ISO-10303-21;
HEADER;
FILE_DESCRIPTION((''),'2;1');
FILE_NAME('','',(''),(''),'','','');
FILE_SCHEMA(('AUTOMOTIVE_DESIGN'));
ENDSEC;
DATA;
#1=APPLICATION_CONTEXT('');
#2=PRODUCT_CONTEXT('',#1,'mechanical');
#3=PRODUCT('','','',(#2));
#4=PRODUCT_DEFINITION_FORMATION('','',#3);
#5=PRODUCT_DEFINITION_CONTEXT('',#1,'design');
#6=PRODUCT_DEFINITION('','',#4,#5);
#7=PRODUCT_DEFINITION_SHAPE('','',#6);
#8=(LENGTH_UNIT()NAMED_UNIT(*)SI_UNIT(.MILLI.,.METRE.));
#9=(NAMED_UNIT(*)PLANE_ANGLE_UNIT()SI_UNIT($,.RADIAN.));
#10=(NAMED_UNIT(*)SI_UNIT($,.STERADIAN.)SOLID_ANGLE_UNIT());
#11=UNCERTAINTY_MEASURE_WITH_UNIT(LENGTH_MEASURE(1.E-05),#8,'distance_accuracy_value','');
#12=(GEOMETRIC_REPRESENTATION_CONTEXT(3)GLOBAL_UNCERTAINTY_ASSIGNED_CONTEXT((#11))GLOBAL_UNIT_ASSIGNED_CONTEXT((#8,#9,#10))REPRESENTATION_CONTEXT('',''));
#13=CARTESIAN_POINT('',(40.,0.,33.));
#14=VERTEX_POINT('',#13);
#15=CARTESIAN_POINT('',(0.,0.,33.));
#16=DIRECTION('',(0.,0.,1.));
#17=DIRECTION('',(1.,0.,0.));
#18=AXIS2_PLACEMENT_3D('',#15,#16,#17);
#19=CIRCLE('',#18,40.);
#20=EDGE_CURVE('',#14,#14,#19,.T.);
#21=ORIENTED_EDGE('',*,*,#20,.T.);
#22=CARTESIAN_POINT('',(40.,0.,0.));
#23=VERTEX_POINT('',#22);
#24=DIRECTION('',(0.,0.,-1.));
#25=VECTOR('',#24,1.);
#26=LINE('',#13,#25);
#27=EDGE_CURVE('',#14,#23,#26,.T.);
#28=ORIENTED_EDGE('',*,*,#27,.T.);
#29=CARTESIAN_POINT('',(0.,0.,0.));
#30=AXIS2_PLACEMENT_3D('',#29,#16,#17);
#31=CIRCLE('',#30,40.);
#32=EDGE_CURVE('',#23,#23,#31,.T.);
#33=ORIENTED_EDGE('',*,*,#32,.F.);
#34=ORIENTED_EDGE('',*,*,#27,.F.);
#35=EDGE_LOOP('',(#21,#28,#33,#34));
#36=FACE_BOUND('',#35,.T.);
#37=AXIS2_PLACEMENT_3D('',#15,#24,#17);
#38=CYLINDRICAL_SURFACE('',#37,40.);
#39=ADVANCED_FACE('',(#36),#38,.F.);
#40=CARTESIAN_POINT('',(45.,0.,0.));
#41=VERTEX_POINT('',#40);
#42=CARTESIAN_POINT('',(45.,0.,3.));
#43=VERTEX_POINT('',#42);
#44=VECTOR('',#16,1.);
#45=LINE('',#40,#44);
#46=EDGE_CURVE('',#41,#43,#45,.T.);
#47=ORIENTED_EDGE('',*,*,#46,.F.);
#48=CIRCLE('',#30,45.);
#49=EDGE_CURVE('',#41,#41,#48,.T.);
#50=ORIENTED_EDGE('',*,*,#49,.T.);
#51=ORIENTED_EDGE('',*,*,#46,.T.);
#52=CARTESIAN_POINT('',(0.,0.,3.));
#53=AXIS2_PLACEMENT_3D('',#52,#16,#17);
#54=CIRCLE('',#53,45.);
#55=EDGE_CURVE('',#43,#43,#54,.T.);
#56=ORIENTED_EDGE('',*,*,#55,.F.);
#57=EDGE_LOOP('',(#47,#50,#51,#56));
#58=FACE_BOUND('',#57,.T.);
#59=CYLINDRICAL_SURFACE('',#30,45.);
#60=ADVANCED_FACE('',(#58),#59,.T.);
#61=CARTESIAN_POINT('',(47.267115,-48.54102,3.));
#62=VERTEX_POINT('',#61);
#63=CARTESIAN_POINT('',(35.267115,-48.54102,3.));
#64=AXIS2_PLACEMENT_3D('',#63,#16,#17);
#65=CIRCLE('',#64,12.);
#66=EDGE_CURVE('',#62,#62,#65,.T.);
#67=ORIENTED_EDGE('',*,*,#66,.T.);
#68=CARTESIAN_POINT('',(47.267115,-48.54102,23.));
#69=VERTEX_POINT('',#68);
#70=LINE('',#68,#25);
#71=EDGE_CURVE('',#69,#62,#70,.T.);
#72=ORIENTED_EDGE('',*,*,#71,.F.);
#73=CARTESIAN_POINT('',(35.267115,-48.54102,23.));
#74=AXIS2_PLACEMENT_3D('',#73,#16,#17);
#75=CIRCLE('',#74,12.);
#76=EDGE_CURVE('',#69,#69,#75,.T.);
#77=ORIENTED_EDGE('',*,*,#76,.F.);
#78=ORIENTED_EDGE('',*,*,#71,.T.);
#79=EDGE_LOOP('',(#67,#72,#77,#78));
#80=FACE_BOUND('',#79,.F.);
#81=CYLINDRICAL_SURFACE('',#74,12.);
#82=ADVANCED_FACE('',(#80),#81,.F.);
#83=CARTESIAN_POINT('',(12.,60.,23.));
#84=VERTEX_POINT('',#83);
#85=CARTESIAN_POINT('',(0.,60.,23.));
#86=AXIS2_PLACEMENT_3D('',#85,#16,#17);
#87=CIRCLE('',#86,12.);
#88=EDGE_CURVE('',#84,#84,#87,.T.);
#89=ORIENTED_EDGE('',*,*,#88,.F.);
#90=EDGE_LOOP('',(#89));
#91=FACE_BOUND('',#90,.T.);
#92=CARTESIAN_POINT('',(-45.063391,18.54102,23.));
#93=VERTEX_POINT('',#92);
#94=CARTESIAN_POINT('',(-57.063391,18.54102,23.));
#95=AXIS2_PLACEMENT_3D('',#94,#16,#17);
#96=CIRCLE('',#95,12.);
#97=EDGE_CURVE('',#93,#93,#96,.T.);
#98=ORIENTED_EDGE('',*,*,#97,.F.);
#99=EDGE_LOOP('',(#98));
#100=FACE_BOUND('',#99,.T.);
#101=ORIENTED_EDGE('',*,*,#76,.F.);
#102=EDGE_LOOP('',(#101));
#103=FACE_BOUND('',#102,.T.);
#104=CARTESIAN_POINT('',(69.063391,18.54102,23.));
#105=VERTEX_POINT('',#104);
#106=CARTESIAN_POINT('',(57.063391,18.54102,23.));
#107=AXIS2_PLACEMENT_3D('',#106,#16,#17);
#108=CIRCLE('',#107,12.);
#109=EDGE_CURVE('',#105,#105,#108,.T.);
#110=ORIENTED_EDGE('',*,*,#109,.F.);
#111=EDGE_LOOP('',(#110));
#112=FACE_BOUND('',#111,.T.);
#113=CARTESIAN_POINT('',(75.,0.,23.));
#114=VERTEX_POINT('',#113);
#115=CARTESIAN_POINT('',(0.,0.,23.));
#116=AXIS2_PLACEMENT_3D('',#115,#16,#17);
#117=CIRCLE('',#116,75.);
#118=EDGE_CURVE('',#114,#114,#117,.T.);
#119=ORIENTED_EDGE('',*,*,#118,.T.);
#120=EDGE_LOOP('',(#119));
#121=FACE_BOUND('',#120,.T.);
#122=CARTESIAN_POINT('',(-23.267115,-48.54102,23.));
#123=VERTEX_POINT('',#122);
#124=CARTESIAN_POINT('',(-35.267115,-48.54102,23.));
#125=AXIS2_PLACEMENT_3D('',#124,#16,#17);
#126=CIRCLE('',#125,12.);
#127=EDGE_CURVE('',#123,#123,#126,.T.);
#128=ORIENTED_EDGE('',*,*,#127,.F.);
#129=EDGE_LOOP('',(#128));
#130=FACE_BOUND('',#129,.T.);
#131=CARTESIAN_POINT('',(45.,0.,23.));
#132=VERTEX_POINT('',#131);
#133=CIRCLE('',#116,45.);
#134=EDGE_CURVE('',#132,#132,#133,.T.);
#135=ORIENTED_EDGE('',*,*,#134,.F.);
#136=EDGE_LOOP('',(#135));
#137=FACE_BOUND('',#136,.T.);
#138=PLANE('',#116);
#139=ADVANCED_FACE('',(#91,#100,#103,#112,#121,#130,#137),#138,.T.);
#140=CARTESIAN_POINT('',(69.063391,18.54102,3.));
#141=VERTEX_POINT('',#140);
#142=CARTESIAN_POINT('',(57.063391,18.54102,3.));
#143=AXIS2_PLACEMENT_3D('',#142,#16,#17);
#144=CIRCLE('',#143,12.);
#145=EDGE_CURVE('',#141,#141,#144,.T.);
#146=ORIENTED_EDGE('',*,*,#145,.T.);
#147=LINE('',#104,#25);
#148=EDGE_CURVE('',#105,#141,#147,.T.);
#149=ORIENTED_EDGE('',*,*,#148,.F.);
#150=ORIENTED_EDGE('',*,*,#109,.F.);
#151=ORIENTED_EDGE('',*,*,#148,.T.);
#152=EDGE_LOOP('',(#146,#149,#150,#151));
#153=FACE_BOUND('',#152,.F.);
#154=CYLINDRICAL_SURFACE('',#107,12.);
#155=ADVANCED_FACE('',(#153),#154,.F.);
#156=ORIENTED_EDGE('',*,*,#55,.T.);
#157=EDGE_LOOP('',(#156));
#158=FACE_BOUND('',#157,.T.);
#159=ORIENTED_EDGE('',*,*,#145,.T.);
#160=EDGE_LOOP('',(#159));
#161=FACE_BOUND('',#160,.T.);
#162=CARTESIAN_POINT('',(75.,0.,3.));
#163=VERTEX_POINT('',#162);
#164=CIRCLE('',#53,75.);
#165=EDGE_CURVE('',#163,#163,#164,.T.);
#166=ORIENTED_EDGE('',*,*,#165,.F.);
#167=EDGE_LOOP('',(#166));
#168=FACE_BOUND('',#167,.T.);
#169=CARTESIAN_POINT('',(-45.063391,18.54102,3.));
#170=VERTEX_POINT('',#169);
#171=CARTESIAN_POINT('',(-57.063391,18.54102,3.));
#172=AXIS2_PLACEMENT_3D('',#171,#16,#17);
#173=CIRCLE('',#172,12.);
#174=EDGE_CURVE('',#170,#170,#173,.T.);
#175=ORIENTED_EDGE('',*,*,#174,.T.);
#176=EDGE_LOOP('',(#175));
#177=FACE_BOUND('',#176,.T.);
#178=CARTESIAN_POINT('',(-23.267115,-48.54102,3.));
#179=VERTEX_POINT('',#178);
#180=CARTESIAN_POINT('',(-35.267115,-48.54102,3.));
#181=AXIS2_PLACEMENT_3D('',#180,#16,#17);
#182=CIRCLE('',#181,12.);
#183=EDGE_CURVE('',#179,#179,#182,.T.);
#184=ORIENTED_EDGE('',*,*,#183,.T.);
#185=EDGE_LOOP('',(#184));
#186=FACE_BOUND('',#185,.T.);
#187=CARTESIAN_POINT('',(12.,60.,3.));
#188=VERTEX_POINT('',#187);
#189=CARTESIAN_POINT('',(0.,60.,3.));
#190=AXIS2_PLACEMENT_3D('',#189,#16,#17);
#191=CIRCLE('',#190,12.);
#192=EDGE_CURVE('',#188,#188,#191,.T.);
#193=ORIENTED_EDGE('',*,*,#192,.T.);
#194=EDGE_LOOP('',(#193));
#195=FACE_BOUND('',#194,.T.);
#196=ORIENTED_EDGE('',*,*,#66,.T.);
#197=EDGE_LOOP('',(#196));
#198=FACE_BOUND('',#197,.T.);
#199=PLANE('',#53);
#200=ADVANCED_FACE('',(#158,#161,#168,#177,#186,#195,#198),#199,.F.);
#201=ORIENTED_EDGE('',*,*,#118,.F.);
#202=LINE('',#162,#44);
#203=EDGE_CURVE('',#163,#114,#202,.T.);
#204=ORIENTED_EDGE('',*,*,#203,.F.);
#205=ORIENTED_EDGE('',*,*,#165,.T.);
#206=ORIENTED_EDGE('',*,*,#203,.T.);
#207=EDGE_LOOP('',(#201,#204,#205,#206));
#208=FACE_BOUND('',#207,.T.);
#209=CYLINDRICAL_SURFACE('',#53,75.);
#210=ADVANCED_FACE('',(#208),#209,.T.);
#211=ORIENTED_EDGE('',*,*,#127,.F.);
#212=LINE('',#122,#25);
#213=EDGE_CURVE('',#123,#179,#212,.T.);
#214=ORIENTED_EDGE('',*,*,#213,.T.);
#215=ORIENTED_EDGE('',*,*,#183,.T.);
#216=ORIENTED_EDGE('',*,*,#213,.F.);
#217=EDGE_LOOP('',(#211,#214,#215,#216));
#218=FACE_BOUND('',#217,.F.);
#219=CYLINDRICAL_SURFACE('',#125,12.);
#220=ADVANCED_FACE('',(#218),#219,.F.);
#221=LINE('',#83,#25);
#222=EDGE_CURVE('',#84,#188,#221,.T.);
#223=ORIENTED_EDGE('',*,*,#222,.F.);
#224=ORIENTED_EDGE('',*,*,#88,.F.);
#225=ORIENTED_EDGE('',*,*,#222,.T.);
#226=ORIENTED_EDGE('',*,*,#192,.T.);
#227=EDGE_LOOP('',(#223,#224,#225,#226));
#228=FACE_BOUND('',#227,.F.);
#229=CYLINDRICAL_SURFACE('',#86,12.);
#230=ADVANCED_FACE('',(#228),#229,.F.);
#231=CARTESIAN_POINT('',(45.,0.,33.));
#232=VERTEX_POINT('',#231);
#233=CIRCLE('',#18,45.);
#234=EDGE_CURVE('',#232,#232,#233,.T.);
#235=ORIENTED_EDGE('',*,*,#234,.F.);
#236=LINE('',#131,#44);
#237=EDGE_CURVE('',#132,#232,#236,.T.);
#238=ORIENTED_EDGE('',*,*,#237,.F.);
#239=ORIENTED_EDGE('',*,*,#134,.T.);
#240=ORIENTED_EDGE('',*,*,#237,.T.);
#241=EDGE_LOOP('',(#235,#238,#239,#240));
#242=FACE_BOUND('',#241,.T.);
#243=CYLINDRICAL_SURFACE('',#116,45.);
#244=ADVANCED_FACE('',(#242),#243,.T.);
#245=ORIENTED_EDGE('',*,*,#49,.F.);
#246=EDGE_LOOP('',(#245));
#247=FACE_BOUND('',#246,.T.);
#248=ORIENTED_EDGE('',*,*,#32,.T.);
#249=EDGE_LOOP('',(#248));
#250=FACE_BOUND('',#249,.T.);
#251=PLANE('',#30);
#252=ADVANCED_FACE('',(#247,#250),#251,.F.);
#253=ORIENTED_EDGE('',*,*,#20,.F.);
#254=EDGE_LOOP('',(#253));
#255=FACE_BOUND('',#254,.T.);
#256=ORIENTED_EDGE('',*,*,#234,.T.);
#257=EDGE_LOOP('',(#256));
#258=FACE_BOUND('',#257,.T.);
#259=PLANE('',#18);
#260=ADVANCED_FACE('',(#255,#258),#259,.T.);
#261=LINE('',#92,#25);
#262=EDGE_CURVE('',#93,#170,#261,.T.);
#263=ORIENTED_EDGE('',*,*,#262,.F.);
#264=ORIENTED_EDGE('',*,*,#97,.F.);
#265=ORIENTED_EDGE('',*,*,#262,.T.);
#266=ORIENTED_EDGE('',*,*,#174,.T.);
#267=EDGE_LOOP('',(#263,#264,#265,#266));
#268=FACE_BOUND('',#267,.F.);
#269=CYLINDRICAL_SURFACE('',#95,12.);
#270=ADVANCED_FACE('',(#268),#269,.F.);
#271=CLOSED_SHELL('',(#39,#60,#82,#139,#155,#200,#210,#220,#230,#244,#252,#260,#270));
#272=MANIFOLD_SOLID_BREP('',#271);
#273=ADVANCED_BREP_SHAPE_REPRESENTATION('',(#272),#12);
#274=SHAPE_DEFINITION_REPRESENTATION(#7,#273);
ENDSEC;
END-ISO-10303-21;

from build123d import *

# Parameters (mm, degrees)
F2_R     = 12
F3_DEPTH = 20


with BuildPart() as f1:
    # F0 (on Front) → F1 (revolve)
    with BuildSketch(Plane.XZ):
        Polygon((40, 33), (40, 0), (45, 0), (45, 3), (75, 3), (75, 23), (45, 23), (45, 33), align=None)
    revolve(axis=Axis((0, 0, 39.782755), (0, 0, 1)))

    # F2 (on face) → F3 (cut, through all)
    with BuildSketch(Plane.XY.offset(23)):
        with Locations((0, 60)):
            Circle(F2_R)
        with Locations((-57.063391, 18.54102)):
            Circle(F2_R)
        with Locations((-35.267115, -48.54102)):
            Circle(F2_R)
        with Locations((35.267115, -48.54102)):
            Circle(F2_R)
        with Locations((57.063391, 18.54102)):
            Circle(F2_R)
    extrude(amount=-F3_DEPTH, mode=Mode.SUBTRACT)


solid = f1.part
